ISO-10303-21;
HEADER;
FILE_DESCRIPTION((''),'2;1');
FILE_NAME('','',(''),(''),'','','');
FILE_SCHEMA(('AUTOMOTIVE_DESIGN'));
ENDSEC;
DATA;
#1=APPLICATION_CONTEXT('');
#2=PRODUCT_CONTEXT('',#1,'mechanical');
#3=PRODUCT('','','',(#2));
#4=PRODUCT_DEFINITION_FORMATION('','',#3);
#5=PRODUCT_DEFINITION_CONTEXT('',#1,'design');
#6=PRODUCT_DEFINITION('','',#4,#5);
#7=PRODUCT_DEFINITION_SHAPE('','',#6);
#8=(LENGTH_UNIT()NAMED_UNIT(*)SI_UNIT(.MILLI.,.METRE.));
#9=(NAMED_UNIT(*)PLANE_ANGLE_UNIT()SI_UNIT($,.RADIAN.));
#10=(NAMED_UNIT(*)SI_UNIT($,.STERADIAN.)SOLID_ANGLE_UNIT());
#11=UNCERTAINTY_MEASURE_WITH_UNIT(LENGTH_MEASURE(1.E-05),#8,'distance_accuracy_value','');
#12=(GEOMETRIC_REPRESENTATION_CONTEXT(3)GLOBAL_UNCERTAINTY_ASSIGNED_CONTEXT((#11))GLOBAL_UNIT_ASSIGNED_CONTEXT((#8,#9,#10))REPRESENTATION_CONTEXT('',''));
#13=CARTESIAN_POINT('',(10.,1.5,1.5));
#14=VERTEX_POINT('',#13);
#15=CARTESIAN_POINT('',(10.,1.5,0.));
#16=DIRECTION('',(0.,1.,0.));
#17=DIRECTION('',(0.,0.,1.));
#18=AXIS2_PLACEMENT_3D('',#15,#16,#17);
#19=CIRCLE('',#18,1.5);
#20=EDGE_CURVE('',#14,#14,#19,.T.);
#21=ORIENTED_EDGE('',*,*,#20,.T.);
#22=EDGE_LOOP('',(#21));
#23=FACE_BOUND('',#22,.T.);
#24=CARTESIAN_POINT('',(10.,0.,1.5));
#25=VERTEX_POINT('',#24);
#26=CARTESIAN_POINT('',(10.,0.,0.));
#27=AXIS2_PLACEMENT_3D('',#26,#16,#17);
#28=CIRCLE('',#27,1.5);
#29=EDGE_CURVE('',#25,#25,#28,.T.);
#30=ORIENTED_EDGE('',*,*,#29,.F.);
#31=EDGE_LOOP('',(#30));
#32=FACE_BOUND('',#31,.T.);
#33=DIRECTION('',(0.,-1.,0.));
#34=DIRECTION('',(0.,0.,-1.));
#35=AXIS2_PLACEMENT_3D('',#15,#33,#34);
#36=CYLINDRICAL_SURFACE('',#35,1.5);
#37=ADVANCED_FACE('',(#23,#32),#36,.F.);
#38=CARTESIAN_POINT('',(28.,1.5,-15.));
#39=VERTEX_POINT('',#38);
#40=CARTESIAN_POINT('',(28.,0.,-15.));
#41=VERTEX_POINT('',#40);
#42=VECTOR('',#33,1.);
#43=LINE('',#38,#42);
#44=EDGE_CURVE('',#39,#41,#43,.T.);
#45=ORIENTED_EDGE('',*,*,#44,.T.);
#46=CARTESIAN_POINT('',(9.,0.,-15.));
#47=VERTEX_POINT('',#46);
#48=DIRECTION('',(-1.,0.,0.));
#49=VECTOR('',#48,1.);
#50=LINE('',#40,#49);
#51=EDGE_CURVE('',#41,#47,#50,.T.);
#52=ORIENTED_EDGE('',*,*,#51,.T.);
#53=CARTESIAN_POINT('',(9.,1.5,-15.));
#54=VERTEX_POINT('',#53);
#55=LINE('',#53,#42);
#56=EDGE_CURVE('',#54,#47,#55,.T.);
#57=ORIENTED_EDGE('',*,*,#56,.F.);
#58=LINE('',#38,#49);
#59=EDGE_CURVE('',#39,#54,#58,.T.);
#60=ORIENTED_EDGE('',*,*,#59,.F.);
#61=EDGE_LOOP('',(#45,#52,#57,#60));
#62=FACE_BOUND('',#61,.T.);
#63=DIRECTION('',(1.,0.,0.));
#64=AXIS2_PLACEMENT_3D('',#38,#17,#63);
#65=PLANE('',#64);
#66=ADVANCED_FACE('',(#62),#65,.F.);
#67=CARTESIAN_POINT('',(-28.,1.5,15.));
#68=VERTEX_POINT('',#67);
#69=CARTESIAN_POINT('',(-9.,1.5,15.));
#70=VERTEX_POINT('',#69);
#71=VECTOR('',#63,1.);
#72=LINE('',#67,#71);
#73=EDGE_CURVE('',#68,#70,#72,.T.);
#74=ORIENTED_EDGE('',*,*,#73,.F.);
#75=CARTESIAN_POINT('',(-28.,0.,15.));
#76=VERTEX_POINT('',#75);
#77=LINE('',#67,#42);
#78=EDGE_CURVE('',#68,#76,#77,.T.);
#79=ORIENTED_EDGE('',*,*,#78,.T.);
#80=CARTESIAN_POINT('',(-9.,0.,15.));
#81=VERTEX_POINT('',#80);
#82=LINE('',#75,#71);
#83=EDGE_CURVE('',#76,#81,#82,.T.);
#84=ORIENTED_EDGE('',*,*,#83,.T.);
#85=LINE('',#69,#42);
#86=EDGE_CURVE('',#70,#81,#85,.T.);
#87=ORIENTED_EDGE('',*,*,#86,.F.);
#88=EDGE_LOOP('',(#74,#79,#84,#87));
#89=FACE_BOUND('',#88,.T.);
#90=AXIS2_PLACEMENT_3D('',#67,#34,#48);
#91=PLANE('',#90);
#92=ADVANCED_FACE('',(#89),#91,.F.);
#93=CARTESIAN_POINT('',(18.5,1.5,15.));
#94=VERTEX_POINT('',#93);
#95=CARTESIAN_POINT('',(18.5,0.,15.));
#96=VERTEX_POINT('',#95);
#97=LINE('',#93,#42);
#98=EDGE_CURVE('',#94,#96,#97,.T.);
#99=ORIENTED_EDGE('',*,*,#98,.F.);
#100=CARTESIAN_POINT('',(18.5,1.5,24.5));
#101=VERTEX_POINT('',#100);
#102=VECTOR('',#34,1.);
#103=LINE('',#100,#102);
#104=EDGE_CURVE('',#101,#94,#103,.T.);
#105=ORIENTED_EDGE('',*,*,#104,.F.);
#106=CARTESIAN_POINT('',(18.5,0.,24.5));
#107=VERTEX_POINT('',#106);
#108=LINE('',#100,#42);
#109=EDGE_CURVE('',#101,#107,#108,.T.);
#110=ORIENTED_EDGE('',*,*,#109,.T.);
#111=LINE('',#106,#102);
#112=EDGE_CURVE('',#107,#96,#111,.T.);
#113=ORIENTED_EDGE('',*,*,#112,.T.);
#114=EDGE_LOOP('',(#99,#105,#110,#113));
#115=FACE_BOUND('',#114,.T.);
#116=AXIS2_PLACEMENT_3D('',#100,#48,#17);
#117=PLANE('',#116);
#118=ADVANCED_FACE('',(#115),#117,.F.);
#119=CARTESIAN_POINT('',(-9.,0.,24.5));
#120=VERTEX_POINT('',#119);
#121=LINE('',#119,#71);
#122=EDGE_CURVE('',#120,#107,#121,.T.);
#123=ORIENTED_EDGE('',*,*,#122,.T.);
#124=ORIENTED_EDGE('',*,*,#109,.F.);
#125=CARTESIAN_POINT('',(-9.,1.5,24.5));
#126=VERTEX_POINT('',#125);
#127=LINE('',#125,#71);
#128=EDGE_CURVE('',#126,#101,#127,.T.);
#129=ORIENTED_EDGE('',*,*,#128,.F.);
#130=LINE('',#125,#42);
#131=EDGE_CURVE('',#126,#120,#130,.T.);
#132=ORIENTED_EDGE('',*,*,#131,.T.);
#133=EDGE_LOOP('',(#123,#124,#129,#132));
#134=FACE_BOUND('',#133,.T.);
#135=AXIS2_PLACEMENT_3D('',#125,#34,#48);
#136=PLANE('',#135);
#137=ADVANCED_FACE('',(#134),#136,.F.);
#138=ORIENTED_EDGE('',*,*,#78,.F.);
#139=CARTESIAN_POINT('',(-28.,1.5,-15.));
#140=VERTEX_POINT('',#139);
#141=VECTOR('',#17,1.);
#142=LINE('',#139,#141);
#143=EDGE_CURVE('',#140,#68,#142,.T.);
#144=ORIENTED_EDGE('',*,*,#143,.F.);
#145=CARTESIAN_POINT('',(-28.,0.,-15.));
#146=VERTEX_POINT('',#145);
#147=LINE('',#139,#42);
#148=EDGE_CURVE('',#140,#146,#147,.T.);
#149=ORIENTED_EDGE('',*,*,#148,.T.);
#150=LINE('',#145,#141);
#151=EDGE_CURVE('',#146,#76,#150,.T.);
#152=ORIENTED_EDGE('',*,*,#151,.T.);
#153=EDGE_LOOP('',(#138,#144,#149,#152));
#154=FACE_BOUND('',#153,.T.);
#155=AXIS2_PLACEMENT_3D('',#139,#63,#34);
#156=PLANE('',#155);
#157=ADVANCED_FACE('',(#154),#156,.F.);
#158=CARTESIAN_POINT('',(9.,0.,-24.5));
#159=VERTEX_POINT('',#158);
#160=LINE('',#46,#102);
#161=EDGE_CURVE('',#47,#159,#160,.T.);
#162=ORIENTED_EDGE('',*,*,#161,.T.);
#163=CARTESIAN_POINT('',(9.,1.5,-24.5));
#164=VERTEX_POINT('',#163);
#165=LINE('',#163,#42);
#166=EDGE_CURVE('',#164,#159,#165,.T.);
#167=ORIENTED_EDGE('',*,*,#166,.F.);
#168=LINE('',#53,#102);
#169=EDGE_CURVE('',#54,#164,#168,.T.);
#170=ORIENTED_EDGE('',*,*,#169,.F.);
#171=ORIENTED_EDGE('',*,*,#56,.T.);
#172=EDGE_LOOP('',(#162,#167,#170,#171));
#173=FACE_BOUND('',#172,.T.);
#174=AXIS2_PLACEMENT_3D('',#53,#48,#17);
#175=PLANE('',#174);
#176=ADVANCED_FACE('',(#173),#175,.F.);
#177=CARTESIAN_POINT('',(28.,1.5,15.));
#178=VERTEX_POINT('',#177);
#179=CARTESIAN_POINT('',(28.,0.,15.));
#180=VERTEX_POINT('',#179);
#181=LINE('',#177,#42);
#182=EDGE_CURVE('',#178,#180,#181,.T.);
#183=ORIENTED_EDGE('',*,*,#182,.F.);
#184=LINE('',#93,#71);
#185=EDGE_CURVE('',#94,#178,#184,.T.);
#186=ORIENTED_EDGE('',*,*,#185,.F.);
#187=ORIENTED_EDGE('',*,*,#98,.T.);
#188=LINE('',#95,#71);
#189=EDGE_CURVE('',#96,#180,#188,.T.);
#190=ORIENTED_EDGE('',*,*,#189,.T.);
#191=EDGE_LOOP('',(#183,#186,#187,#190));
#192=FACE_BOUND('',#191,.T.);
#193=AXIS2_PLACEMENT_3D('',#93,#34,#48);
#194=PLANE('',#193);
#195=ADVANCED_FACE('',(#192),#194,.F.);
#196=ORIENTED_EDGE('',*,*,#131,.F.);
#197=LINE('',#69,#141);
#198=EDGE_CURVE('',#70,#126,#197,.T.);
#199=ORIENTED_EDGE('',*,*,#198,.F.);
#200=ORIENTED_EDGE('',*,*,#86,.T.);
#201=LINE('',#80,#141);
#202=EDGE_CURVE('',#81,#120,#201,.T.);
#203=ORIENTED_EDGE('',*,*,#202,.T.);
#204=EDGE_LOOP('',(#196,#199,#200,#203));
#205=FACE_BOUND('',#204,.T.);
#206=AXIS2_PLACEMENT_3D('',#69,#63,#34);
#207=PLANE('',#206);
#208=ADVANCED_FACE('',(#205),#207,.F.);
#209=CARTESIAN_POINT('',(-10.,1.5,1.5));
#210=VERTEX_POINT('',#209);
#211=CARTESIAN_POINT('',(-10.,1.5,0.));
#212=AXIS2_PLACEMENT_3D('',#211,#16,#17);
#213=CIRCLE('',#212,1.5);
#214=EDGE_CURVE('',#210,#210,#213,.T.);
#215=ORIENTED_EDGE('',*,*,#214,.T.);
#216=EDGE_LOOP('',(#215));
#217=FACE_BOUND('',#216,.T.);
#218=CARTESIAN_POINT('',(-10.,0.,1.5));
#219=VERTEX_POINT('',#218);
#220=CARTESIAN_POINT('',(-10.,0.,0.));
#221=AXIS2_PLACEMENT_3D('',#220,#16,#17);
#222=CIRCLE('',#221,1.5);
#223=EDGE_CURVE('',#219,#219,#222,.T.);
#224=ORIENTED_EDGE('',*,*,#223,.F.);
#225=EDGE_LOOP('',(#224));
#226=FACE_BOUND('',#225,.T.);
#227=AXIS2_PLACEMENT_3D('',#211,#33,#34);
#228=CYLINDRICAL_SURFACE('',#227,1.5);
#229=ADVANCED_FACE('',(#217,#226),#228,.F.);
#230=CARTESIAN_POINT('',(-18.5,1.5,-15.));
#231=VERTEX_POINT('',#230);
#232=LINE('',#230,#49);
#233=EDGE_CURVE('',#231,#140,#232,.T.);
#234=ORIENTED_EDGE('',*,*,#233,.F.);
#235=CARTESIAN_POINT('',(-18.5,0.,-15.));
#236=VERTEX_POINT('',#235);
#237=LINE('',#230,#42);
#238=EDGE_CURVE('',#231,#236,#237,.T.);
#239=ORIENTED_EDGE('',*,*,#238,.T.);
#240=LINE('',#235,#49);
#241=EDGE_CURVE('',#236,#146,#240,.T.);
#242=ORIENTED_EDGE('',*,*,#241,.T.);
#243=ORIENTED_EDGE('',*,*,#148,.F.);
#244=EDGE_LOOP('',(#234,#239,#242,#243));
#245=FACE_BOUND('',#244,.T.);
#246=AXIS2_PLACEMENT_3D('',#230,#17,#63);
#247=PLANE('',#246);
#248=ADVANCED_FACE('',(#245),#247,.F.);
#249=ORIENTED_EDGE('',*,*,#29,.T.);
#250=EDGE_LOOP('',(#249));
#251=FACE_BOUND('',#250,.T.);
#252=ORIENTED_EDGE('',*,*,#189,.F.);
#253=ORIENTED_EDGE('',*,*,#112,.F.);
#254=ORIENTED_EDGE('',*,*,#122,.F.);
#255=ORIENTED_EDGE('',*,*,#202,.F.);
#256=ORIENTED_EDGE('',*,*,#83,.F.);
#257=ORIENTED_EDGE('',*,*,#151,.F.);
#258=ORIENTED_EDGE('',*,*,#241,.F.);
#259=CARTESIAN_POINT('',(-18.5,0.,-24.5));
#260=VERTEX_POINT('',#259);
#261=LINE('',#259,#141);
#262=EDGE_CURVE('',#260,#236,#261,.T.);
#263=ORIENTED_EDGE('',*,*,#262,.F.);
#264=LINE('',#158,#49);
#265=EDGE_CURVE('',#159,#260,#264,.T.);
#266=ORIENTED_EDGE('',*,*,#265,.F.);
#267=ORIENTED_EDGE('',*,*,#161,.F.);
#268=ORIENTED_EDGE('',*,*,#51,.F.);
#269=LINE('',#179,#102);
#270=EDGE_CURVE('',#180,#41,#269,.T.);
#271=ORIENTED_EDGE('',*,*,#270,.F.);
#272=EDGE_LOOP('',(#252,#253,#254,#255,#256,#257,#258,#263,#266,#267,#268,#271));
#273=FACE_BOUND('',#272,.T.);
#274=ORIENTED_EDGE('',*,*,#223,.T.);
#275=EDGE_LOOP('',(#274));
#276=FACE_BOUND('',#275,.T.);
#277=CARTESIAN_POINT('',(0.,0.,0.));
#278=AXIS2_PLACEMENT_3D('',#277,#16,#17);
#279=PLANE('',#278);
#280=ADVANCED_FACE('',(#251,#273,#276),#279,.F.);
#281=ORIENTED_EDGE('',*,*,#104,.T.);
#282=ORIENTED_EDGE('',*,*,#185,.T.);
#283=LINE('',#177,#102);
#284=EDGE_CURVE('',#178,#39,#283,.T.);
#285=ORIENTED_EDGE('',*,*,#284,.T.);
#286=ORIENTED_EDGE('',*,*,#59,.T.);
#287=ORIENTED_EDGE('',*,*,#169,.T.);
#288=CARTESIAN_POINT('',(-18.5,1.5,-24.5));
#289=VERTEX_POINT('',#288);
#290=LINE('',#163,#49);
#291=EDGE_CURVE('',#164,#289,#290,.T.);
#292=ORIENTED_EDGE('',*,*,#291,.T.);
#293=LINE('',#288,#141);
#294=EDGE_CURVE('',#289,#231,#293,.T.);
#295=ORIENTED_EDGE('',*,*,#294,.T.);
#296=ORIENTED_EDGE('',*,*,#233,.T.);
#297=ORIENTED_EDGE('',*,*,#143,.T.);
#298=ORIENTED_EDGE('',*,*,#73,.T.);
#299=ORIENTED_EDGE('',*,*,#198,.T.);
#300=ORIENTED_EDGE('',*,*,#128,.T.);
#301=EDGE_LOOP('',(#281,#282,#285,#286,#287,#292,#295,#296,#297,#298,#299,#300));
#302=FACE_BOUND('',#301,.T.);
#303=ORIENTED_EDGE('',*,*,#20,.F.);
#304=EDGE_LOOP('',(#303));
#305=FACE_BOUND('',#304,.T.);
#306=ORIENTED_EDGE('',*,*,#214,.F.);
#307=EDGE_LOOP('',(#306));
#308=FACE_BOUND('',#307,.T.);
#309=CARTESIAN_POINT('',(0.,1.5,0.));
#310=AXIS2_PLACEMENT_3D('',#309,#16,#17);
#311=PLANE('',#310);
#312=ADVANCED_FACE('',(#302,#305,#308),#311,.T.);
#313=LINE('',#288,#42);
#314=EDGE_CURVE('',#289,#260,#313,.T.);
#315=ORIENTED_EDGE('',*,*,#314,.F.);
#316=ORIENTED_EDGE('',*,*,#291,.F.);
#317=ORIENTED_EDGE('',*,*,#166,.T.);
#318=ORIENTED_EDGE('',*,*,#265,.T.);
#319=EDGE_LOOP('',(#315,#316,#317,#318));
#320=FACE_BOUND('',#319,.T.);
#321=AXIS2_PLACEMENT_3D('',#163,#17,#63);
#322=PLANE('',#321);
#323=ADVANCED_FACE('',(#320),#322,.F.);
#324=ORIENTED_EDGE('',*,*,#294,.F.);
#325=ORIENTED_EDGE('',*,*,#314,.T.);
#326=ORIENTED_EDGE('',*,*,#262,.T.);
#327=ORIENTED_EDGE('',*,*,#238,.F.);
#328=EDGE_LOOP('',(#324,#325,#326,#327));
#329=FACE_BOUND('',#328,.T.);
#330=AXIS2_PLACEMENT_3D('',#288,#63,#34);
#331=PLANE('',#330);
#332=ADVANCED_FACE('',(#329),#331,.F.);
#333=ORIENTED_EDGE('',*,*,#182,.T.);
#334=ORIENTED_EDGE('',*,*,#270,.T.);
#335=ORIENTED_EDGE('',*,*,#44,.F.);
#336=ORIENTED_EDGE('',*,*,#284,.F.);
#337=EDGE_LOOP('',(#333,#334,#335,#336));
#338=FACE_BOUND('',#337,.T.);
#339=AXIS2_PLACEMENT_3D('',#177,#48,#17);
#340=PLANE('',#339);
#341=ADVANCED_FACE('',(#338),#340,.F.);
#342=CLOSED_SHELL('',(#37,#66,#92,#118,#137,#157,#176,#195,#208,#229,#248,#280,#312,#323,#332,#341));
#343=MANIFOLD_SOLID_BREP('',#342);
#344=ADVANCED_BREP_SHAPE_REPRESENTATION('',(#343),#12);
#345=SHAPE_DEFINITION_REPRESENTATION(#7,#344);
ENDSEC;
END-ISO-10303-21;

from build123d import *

# Parameters (mm, degrees)
SKETCH_1_R      = 1.5
EXTRUDE_1_DEPTH = 1.5


with BuildPart() as part:
    # Эскиз1 → Бобышка-Вытянуть1 (new body)
    with BuildSketch(Plane(origin=(0, 0, 0), x_dir=(1, 0, 0), z_dir=(0, 1, 0))):
        Polygon((-28, 15), (-28, -15), (-9, -15), (-9, -24.5), (18.5, -24.5), (18.5, -15), (28, -15), (28, 15), (9, 15), (9, 24.5), (-18.5, 24.5), (-18.5, 15), align=None)
        with Locations(Location((-10, 0, 0), (0, 0, 270))):
            Circle(SKETCH_1_R, mode=Mode.SUBTRACT)
        with Locations(Location((10, 0, 0), (0, 0, 270))):
            Circle(SKETCH_1_R, mode=Mode.SUBTRACT)
    extrude(amount=EXTRUDE_1_DEPTH)


solid = part.part
